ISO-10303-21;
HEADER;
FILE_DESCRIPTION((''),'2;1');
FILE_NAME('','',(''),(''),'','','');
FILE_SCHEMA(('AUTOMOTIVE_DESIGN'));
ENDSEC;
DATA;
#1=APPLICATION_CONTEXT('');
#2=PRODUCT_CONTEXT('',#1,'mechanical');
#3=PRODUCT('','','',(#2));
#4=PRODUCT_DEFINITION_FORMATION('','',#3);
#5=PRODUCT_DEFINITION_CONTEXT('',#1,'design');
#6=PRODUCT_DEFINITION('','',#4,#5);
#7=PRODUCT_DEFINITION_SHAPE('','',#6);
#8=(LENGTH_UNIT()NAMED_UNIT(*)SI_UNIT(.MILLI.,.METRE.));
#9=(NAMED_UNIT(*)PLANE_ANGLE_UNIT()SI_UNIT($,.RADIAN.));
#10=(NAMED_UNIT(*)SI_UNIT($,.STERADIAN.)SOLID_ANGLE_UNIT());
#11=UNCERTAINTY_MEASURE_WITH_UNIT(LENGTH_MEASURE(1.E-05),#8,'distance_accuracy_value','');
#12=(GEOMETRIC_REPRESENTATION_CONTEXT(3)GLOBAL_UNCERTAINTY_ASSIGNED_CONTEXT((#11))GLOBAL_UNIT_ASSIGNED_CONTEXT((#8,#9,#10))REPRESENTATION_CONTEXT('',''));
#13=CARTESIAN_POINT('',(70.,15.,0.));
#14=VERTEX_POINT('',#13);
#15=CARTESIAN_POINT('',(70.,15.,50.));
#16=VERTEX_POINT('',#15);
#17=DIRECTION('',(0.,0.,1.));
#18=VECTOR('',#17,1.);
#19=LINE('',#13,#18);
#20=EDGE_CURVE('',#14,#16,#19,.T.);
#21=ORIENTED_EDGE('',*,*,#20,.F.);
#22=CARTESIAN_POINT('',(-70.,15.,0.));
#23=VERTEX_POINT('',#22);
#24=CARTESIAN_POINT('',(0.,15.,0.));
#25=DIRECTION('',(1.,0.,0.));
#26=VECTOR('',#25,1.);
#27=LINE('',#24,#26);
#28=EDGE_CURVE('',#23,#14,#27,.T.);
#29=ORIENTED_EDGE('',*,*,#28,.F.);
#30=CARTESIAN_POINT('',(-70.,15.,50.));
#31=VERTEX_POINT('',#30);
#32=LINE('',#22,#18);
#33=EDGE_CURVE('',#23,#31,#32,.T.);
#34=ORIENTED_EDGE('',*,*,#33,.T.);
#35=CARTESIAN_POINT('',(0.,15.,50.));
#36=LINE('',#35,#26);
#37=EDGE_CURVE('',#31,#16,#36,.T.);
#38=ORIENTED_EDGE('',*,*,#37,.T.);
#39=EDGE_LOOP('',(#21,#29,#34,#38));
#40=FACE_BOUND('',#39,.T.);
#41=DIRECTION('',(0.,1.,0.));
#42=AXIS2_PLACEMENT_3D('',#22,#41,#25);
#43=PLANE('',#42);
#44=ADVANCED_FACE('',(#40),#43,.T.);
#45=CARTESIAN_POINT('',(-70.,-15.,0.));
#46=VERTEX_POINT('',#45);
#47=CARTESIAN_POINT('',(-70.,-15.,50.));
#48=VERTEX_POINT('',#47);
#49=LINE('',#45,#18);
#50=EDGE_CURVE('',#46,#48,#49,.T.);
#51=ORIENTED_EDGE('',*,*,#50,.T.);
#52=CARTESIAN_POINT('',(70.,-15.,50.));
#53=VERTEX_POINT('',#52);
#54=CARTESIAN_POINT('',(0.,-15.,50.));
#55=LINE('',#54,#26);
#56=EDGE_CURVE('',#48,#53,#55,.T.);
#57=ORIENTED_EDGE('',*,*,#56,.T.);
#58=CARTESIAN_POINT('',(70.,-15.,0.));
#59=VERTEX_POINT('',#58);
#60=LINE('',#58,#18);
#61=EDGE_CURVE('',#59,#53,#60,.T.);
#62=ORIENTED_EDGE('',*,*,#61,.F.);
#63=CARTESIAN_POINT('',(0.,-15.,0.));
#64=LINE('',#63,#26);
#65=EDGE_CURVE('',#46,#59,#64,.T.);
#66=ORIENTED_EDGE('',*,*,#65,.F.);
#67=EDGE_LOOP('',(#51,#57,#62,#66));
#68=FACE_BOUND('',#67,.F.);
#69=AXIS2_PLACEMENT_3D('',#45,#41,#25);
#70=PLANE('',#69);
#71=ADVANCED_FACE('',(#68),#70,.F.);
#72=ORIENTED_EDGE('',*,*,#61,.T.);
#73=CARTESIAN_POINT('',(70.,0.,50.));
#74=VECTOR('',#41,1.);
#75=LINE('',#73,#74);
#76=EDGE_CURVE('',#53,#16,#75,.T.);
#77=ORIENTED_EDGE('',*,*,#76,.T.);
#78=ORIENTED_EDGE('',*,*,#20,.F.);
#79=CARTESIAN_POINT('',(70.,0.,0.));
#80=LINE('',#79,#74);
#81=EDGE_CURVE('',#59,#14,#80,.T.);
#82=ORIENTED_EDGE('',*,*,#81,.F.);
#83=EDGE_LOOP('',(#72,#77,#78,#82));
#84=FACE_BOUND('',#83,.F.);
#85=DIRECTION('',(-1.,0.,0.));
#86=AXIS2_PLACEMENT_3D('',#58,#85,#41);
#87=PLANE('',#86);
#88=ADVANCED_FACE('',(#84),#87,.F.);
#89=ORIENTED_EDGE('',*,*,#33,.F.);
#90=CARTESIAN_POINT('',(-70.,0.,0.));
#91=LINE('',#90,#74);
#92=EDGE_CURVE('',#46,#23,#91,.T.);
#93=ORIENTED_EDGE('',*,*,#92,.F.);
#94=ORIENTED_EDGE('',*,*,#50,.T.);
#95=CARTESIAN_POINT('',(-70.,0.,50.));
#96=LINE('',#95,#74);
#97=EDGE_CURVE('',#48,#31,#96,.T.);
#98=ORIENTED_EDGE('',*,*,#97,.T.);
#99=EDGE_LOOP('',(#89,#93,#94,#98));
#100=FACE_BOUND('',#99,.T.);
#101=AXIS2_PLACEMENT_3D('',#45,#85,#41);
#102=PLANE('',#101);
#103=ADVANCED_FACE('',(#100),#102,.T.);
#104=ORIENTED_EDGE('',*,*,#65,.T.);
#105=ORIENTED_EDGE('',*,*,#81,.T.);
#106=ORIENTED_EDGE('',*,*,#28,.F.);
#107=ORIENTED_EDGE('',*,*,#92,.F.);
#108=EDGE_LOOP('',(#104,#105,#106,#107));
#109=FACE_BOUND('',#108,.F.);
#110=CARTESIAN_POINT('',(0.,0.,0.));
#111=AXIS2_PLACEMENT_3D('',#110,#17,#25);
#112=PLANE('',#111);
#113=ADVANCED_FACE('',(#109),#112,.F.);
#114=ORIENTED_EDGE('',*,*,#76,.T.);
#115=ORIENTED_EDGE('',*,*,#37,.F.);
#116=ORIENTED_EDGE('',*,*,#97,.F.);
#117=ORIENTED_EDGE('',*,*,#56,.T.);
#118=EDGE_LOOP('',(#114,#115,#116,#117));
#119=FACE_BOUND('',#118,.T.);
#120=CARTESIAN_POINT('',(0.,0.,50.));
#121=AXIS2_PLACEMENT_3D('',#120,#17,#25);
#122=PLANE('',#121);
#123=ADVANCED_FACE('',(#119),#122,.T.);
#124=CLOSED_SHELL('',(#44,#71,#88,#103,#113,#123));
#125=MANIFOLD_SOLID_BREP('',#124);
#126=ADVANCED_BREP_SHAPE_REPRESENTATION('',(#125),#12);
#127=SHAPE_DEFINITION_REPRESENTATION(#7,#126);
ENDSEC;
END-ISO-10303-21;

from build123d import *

# Parameters (mm, degrees)
SKETCH_W      = 140
SKETCH_H      = 30
EXTRUDE_DEPTH = 50


with BuildPart() as part:
    # Sketch → Extrude (new body)
    with BuildSketch(Plane.XY):
        Rectangle(SKETCH_W, SKETCH_H)
    extrude(amount=EXTRUDE_DEPTH)


solid = part.part
